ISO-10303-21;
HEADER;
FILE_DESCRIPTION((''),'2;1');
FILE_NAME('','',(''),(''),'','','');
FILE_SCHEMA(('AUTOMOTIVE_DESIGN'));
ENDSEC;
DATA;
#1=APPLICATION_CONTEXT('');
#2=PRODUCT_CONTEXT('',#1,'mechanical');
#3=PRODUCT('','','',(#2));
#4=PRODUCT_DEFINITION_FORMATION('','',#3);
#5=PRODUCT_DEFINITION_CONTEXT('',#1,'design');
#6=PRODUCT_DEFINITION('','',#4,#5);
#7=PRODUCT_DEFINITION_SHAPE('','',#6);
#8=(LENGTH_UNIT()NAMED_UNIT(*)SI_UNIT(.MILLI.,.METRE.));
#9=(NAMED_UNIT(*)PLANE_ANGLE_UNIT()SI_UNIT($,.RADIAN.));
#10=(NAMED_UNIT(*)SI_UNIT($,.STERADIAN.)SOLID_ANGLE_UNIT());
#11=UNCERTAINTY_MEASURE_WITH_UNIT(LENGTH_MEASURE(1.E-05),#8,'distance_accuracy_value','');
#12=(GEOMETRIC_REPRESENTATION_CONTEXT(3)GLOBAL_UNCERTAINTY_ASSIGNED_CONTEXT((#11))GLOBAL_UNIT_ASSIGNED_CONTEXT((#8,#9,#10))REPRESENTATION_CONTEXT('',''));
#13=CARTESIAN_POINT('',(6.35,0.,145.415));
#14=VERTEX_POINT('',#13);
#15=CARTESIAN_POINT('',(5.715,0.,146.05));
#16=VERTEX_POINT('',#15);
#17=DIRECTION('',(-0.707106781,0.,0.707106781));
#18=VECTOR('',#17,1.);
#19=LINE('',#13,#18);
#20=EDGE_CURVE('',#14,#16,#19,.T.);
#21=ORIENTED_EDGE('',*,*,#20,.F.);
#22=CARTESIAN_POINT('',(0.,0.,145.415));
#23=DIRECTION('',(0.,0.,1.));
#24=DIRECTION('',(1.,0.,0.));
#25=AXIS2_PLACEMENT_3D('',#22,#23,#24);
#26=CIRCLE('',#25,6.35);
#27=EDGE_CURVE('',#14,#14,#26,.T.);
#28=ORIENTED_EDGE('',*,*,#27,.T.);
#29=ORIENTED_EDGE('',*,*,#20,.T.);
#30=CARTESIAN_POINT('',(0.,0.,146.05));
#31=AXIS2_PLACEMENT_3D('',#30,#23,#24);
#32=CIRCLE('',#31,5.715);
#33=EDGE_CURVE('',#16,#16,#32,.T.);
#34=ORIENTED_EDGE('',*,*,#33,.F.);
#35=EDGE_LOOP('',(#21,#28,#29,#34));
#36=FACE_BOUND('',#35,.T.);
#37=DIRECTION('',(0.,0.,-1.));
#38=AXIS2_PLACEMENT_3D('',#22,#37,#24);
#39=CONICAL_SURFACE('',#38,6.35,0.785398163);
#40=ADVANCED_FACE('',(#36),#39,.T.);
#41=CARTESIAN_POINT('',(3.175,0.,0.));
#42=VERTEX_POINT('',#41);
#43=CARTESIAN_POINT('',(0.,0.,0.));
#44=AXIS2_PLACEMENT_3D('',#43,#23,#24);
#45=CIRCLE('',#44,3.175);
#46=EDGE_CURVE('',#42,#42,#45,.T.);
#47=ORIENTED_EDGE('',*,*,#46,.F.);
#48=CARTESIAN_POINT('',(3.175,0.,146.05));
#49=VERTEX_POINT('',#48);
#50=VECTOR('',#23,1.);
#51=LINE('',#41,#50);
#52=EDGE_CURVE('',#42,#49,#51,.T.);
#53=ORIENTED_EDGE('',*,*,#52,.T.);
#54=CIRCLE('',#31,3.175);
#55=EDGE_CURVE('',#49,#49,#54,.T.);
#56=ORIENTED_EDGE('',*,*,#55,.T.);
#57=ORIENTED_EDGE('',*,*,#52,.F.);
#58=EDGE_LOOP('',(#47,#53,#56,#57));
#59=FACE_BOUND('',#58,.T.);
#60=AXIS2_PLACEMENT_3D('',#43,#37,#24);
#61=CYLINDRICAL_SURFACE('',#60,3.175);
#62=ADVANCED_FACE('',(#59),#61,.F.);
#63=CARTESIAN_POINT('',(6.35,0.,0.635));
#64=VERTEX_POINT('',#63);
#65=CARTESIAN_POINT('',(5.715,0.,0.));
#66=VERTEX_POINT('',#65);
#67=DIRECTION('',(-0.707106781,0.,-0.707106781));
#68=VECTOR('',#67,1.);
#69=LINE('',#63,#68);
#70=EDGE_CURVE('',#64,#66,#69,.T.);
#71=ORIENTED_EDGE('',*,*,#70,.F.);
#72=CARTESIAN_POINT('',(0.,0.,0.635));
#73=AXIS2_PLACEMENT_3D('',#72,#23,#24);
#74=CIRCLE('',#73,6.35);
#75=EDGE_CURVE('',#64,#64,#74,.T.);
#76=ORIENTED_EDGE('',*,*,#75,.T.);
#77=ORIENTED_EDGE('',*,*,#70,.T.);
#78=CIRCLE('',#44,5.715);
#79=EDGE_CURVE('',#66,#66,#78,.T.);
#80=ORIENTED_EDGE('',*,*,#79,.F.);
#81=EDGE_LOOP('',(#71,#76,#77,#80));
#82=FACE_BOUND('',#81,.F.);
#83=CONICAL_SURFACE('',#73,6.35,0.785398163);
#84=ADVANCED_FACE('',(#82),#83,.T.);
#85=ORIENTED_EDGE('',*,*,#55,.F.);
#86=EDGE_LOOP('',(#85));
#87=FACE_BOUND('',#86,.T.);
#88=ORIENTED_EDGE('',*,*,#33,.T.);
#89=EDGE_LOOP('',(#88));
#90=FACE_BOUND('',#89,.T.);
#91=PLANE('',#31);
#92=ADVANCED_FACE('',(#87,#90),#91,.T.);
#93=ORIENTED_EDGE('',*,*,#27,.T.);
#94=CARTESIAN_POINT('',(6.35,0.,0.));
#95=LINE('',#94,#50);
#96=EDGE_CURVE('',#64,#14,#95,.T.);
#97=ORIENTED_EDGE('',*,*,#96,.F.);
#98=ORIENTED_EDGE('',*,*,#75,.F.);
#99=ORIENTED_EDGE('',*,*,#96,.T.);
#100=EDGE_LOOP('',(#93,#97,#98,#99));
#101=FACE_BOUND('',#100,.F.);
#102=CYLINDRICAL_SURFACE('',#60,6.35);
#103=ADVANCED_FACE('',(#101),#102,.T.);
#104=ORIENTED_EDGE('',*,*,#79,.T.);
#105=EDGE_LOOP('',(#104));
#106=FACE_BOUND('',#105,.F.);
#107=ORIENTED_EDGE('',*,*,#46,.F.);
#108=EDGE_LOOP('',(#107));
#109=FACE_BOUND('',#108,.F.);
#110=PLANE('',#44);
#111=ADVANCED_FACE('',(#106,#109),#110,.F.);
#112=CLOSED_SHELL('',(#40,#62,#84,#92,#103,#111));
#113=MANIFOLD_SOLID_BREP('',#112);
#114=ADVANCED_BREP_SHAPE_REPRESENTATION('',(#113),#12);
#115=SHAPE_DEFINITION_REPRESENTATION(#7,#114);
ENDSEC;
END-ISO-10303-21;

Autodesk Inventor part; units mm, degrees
ref_plane "YZ Plane" through (0, 0, 0) normal (1, 0, 0) x (0, 1, 0)
ref_plane "XZ Plane" through (0, 0, 0) normal (0, 1, 0) x (-1, 0, 0)
ref_plane "XY Plane" through (0, 0, 0) normal (0, 0, 1) x (1, 0, 0)
sketch "Sketch1" plane through (0, 0, 0) normal (0, 0, 1) x (1, 0, 0)
  circle A0 centre (0, 0) radius 3.175
  circle A1 centre (0, 0) radius 6.35
  dimension "d0" = 6.35
  dimension "d1" = 12.7
extrude "Extrusion1" add sketch "Sketch1" along normal blind 146.05
chamfer "Chamfer1" distance 0.635 angle 45 2 edges at (-6.35, 0, 146.05) (-6.35, 0, 0)
sketch "Sketch2" plane through (0, 0, 0) normal (1, 0, 0) x (0, 1, 0)
  line L0 (6.35, 1.27) -> (5.842, 1.27)
  line L1 (5.842, 1.27) -> (5.842, 2.032)
  line L2 (5.842, 2.032) -> (6.35, 2.032)
  line L3 (6.35, 2.032) -> (6.35, 1.27)
  line L4 (5.715, 0) -> (-5.715, 0) projected
  line L5 (6.35, 145.415) -> (-6.35, 145.415) projected
  line L6 (6.35, 145.415) -> (6.35, 0.635)
  line L7 (-6.35, 0.635) -> (6.35, 0.635) projected
  point P0 (0, 0)
  point P1 (6.35, 1.651)
  dimension "d7" = 1.27
  dimension "d8" = 0.762
  dimension "d9" = 0.508
extrude "Extrusion2" [suppressed]
pattern_linear "Rectangular Pattern1" [suppressed]
properties part number "Weight_Shaft_Gear_Tube-02"
